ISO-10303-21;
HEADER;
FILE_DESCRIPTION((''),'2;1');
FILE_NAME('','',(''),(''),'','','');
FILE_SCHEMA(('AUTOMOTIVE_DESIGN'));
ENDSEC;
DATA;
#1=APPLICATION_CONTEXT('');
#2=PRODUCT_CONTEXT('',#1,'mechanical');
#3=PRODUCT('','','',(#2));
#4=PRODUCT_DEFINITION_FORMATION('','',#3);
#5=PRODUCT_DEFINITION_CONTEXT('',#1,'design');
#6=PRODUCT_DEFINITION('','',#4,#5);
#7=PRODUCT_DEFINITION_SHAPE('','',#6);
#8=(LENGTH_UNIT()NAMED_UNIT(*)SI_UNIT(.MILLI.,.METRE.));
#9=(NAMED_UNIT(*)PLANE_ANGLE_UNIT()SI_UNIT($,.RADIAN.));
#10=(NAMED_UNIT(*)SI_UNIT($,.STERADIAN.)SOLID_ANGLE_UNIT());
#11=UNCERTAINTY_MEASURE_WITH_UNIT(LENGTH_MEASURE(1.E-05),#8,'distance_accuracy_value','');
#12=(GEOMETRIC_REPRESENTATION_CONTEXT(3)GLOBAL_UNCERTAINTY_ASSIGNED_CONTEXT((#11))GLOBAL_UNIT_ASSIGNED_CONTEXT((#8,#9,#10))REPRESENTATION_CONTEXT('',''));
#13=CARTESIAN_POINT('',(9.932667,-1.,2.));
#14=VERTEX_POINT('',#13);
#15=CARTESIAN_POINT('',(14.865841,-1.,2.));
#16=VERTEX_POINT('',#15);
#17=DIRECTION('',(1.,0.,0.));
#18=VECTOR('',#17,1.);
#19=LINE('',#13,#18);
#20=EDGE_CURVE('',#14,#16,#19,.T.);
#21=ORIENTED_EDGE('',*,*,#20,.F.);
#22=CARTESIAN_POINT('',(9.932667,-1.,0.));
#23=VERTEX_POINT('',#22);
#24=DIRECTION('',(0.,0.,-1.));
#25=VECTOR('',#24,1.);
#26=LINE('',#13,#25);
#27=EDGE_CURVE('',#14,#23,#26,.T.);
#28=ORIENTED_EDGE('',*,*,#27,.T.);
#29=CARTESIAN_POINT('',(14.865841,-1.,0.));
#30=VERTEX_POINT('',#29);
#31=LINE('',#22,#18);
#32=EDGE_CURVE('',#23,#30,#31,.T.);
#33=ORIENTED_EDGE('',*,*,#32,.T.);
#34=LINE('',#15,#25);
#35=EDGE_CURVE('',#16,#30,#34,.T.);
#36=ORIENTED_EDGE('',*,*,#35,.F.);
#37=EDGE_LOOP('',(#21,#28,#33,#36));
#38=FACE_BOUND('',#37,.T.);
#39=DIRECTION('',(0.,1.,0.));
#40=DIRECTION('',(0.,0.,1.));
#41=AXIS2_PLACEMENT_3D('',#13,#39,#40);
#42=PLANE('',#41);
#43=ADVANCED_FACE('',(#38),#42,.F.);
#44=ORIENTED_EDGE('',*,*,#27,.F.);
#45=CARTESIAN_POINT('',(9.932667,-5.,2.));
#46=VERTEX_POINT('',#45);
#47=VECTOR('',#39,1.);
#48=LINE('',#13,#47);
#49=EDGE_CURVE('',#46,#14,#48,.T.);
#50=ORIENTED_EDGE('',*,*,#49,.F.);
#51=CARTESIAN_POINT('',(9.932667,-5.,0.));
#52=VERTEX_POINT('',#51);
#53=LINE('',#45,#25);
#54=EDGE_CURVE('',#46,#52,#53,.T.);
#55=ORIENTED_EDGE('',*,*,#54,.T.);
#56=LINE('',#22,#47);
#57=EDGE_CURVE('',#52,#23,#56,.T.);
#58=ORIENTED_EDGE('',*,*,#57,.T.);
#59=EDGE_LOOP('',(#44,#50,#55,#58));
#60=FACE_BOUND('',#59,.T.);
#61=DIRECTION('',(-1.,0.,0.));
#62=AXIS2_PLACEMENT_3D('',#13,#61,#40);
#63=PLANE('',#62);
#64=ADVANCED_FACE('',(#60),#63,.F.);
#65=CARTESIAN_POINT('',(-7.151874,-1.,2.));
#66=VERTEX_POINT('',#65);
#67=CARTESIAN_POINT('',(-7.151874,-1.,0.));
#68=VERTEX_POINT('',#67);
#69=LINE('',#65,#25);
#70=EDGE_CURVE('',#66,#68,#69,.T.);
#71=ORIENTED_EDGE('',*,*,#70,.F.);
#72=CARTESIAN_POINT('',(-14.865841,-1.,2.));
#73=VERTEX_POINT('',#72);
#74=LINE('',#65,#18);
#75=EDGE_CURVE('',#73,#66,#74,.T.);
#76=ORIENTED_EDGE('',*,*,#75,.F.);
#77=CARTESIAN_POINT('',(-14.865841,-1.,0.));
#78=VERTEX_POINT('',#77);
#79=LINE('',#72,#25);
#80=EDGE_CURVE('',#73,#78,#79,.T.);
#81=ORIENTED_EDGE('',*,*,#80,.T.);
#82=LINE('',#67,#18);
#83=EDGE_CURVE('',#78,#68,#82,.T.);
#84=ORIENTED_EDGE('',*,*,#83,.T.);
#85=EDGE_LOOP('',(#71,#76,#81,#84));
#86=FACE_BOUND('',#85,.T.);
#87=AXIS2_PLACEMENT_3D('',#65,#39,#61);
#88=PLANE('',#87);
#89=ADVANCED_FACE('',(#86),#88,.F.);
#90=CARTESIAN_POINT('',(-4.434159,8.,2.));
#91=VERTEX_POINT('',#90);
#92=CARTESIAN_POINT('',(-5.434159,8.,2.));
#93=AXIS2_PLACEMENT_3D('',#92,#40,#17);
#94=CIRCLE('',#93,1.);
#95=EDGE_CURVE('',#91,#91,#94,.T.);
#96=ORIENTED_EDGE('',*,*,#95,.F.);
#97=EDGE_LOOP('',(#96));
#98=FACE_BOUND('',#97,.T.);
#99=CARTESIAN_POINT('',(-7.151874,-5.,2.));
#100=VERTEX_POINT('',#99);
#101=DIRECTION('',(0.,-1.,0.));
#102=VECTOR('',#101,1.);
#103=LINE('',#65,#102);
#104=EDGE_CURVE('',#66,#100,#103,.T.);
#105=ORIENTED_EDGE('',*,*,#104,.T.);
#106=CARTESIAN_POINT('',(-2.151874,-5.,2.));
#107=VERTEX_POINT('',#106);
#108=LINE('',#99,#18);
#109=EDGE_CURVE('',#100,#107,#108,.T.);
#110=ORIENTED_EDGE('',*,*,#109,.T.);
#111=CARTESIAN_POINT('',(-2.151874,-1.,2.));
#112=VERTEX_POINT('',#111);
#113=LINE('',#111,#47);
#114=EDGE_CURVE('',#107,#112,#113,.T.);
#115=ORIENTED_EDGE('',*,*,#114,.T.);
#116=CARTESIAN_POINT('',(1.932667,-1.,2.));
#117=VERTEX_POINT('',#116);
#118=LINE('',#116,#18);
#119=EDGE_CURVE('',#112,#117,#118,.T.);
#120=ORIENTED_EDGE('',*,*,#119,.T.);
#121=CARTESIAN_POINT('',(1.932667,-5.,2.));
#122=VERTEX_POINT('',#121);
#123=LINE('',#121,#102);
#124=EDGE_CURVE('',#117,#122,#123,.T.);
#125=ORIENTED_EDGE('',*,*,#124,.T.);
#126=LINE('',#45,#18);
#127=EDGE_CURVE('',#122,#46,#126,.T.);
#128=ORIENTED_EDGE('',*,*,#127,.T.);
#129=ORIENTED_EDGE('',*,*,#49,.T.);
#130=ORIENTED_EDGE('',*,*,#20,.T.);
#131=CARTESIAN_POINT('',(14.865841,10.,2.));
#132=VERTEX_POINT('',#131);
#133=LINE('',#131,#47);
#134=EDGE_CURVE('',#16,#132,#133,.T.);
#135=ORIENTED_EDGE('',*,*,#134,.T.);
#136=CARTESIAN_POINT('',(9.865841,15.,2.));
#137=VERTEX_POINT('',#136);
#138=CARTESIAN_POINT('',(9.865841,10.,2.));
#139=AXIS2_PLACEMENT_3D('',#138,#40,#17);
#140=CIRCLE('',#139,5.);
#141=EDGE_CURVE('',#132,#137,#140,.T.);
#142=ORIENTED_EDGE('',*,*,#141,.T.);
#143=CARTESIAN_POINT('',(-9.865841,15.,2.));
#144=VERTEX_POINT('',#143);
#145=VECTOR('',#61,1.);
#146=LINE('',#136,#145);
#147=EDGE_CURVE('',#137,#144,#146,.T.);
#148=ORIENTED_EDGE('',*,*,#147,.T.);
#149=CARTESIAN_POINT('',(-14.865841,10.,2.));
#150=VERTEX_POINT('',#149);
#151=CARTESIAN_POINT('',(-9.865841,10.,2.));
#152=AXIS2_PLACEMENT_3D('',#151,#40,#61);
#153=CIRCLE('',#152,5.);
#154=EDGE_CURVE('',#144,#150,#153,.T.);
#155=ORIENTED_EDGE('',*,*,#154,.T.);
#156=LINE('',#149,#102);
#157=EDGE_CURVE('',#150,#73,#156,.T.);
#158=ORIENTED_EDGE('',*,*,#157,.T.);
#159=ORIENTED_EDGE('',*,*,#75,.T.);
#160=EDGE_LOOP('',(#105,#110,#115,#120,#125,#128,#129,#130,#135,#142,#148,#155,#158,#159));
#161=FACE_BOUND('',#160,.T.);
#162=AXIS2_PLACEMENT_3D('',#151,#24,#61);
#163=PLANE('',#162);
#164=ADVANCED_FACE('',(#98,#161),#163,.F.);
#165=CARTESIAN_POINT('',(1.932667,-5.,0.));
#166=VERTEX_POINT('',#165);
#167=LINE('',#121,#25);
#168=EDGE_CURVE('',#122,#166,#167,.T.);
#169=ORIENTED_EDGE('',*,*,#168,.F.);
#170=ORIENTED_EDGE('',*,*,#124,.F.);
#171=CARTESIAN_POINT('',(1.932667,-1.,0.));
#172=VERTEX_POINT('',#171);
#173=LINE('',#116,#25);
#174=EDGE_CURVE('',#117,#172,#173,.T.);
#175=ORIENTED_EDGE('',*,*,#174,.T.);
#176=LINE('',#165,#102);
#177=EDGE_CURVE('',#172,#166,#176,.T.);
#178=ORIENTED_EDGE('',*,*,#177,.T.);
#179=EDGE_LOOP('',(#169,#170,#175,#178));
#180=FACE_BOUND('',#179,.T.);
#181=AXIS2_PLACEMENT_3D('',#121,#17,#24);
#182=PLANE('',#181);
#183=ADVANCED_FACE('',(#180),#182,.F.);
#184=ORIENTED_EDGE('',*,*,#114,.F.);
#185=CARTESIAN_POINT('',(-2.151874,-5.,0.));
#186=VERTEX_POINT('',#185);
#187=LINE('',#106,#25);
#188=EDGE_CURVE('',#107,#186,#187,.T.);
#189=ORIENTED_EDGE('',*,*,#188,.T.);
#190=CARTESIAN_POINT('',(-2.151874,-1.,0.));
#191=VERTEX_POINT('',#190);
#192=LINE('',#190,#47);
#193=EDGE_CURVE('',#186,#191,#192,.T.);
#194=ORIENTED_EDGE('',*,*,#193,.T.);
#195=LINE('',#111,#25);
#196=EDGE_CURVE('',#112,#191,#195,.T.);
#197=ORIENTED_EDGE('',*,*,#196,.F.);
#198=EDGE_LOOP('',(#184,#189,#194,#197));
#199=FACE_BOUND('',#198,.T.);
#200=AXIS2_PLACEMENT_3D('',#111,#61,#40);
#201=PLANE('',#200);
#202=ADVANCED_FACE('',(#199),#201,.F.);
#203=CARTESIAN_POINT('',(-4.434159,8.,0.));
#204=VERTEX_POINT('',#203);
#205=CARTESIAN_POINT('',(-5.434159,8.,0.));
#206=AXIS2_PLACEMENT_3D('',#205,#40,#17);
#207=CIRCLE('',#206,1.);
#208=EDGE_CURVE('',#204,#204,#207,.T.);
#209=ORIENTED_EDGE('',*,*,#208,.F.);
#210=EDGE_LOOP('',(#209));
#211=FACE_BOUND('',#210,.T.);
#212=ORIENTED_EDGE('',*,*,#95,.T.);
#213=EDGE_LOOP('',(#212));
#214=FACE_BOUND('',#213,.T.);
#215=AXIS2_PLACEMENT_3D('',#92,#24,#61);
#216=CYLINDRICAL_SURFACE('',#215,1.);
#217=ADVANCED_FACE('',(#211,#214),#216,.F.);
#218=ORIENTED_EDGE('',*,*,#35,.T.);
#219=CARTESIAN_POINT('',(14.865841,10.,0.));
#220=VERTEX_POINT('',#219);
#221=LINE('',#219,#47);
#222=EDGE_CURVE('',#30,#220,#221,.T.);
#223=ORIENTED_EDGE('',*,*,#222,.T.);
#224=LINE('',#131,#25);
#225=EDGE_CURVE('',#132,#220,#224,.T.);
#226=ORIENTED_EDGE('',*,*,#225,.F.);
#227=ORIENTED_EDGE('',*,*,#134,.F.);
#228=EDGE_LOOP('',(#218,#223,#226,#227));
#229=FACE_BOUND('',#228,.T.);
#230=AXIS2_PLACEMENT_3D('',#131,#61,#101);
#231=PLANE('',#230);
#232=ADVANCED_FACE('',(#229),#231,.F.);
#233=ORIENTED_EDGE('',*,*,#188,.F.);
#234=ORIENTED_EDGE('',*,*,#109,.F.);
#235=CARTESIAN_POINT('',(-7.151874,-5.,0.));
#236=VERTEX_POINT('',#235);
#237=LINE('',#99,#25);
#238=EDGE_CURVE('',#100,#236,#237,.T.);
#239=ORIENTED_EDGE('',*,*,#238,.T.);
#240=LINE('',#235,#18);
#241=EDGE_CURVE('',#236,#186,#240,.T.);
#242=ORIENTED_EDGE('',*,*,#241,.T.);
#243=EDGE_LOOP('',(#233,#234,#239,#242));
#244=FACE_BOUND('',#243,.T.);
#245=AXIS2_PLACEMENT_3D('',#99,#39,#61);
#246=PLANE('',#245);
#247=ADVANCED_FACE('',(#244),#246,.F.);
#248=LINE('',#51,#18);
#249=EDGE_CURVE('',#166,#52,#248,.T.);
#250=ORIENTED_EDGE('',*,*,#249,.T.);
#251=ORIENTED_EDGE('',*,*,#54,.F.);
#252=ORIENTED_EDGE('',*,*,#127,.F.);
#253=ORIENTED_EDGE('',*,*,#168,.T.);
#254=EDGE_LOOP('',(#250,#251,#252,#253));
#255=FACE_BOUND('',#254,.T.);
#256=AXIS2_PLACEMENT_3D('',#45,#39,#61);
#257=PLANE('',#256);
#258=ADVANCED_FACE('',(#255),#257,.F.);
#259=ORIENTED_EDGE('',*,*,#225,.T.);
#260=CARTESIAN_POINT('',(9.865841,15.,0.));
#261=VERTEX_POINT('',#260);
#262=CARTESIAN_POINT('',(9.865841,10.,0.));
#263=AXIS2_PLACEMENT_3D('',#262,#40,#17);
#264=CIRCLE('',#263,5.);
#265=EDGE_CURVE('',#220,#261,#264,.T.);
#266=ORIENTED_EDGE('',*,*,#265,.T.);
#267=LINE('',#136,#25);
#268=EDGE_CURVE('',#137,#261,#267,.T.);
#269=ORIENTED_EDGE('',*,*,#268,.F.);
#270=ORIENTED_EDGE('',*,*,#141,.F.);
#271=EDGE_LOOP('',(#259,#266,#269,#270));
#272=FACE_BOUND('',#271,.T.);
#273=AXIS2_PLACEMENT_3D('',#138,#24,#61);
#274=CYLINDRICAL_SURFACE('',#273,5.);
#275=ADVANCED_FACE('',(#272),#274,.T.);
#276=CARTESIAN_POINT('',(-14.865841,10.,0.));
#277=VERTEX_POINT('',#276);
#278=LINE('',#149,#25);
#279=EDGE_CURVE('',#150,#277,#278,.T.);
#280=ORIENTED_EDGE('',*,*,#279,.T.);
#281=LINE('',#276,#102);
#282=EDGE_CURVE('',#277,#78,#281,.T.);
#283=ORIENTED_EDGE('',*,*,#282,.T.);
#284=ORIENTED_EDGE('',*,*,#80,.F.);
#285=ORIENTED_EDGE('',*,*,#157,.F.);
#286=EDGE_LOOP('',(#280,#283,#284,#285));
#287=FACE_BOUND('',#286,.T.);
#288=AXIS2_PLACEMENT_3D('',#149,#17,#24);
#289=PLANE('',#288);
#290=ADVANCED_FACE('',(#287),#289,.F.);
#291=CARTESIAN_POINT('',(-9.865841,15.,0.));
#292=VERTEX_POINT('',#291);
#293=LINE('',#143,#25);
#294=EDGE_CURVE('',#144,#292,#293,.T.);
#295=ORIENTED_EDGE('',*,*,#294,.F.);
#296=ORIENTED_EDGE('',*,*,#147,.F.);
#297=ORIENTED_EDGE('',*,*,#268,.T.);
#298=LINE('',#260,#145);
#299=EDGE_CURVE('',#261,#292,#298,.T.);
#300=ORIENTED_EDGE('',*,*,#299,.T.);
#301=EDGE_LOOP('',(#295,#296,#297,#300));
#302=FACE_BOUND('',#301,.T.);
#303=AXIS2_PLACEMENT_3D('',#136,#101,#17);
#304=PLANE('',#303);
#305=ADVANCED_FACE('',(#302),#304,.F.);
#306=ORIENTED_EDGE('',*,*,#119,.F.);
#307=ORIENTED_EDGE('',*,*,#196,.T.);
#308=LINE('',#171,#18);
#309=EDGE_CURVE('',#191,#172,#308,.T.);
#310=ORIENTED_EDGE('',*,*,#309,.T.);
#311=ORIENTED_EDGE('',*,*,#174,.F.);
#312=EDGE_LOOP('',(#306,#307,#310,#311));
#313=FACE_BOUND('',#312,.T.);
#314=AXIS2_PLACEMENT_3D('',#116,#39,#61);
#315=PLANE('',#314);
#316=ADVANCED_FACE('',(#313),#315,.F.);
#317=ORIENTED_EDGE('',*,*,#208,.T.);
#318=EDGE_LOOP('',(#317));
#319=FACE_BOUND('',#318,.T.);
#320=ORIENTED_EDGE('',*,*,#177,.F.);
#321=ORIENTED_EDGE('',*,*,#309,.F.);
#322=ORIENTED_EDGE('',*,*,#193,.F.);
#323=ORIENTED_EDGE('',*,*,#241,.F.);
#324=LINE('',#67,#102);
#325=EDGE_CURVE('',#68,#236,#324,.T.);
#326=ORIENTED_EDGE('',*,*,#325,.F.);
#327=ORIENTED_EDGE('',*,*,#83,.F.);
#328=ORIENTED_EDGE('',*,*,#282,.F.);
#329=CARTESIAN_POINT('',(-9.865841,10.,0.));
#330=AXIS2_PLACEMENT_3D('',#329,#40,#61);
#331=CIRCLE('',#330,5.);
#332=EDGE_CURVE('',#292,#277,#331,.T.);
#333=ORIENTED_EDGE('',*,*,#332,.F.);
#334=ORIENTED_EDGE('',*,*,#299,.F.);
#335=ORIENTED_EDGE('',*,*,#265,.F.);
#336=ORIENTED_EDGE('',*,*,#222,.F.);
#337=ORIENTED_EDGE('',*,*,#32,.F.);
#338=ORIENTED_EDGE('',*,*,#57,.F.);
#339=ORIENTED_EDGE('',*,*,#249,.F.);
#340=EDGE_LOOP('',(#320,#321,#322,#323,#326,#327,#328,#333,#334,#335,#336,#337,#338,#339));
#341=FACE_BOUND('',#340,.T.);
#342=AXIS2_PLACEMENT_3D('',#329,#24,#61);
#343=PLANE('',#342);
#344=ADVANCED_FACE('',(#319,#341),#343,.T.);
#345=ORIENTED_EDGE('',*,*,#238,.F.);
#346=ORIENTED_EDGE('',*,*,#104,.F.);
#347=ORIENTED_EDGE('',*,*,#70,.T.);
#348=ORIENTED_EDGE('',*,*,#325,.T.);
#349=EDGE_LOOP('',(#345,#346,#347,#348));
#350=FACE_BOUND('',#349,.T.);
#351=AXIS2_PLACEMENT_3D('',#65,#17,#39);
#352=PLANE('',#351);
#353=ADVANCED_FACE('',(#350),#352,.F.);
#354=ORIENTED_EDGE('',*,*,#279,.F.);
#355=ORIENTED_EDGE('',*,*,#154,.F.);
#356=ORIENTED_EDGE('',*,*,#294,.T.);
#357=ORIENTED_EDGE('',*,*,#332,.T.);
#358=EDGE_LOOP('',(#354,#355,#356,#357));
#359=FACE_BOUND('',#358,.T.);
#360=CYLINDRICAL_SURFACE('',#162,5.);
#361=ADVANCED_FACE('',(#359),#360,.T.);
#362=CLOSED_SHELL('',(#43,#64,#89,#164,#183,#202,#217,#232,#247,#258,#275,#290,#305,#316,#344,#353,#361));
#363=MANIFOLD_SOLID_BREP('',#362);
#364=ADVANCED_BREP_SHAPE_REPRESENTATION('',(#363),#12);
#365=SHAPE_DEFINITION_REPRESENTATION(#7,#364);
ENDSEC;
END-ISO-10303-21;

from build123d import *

# Parameters (mm, degrees)
SKETCH1_R           = 1
BOSS_EXTRUDE1_DEPTH = 2


with BuildPart() as part:
    # Sketch1 → Boss-Extrude1 (new body)
    with BuildSketch(Plane.XY):
        with BuildLine():
            Line((9.9326669, -1), (14.865841105, -1))
            Line((14.865841105, -1), (14.865841105, 10))
            ThreePointArc((14.865841105, 10), (13.401375011, 13.535533906), (9.865841105, 15))
            Line((9.865841105, 15), (-9.865841105, 15))
            ThreePointArc((-9.865841105, 15), (-13.401375011, 13.535533906), (-14.865841105, 10))
            Line((-14.865841105, 10), (-14.865841105, -1))
            Line((-14.865841105, -1), (-7.151873985, -1))
            Line((-7.151873985, -1), (-7.151873985, -5))
            Line((-7.151873985, -5), (-2.151873985, -5))
            Line((-2.151873985, -5), (-2.151873985, -1))
            Line((-2.151873985, -1), (1.9326669, -1))
            Line((1.9326669, -1), (1.9326669, -5))
            Line((1.9326669, -5), (9.9326669, -5))
            Line((9.9326669, -5), (9.9326669, -1))
        make_face()
        with Locations((-5.434158895, 8)):
            Circle(SKETCH1_R, mode=Mode.SUBTRACT)
    extrude(amount=BOSS_EXTRUDE1_DEPTH)


solid = part.part
